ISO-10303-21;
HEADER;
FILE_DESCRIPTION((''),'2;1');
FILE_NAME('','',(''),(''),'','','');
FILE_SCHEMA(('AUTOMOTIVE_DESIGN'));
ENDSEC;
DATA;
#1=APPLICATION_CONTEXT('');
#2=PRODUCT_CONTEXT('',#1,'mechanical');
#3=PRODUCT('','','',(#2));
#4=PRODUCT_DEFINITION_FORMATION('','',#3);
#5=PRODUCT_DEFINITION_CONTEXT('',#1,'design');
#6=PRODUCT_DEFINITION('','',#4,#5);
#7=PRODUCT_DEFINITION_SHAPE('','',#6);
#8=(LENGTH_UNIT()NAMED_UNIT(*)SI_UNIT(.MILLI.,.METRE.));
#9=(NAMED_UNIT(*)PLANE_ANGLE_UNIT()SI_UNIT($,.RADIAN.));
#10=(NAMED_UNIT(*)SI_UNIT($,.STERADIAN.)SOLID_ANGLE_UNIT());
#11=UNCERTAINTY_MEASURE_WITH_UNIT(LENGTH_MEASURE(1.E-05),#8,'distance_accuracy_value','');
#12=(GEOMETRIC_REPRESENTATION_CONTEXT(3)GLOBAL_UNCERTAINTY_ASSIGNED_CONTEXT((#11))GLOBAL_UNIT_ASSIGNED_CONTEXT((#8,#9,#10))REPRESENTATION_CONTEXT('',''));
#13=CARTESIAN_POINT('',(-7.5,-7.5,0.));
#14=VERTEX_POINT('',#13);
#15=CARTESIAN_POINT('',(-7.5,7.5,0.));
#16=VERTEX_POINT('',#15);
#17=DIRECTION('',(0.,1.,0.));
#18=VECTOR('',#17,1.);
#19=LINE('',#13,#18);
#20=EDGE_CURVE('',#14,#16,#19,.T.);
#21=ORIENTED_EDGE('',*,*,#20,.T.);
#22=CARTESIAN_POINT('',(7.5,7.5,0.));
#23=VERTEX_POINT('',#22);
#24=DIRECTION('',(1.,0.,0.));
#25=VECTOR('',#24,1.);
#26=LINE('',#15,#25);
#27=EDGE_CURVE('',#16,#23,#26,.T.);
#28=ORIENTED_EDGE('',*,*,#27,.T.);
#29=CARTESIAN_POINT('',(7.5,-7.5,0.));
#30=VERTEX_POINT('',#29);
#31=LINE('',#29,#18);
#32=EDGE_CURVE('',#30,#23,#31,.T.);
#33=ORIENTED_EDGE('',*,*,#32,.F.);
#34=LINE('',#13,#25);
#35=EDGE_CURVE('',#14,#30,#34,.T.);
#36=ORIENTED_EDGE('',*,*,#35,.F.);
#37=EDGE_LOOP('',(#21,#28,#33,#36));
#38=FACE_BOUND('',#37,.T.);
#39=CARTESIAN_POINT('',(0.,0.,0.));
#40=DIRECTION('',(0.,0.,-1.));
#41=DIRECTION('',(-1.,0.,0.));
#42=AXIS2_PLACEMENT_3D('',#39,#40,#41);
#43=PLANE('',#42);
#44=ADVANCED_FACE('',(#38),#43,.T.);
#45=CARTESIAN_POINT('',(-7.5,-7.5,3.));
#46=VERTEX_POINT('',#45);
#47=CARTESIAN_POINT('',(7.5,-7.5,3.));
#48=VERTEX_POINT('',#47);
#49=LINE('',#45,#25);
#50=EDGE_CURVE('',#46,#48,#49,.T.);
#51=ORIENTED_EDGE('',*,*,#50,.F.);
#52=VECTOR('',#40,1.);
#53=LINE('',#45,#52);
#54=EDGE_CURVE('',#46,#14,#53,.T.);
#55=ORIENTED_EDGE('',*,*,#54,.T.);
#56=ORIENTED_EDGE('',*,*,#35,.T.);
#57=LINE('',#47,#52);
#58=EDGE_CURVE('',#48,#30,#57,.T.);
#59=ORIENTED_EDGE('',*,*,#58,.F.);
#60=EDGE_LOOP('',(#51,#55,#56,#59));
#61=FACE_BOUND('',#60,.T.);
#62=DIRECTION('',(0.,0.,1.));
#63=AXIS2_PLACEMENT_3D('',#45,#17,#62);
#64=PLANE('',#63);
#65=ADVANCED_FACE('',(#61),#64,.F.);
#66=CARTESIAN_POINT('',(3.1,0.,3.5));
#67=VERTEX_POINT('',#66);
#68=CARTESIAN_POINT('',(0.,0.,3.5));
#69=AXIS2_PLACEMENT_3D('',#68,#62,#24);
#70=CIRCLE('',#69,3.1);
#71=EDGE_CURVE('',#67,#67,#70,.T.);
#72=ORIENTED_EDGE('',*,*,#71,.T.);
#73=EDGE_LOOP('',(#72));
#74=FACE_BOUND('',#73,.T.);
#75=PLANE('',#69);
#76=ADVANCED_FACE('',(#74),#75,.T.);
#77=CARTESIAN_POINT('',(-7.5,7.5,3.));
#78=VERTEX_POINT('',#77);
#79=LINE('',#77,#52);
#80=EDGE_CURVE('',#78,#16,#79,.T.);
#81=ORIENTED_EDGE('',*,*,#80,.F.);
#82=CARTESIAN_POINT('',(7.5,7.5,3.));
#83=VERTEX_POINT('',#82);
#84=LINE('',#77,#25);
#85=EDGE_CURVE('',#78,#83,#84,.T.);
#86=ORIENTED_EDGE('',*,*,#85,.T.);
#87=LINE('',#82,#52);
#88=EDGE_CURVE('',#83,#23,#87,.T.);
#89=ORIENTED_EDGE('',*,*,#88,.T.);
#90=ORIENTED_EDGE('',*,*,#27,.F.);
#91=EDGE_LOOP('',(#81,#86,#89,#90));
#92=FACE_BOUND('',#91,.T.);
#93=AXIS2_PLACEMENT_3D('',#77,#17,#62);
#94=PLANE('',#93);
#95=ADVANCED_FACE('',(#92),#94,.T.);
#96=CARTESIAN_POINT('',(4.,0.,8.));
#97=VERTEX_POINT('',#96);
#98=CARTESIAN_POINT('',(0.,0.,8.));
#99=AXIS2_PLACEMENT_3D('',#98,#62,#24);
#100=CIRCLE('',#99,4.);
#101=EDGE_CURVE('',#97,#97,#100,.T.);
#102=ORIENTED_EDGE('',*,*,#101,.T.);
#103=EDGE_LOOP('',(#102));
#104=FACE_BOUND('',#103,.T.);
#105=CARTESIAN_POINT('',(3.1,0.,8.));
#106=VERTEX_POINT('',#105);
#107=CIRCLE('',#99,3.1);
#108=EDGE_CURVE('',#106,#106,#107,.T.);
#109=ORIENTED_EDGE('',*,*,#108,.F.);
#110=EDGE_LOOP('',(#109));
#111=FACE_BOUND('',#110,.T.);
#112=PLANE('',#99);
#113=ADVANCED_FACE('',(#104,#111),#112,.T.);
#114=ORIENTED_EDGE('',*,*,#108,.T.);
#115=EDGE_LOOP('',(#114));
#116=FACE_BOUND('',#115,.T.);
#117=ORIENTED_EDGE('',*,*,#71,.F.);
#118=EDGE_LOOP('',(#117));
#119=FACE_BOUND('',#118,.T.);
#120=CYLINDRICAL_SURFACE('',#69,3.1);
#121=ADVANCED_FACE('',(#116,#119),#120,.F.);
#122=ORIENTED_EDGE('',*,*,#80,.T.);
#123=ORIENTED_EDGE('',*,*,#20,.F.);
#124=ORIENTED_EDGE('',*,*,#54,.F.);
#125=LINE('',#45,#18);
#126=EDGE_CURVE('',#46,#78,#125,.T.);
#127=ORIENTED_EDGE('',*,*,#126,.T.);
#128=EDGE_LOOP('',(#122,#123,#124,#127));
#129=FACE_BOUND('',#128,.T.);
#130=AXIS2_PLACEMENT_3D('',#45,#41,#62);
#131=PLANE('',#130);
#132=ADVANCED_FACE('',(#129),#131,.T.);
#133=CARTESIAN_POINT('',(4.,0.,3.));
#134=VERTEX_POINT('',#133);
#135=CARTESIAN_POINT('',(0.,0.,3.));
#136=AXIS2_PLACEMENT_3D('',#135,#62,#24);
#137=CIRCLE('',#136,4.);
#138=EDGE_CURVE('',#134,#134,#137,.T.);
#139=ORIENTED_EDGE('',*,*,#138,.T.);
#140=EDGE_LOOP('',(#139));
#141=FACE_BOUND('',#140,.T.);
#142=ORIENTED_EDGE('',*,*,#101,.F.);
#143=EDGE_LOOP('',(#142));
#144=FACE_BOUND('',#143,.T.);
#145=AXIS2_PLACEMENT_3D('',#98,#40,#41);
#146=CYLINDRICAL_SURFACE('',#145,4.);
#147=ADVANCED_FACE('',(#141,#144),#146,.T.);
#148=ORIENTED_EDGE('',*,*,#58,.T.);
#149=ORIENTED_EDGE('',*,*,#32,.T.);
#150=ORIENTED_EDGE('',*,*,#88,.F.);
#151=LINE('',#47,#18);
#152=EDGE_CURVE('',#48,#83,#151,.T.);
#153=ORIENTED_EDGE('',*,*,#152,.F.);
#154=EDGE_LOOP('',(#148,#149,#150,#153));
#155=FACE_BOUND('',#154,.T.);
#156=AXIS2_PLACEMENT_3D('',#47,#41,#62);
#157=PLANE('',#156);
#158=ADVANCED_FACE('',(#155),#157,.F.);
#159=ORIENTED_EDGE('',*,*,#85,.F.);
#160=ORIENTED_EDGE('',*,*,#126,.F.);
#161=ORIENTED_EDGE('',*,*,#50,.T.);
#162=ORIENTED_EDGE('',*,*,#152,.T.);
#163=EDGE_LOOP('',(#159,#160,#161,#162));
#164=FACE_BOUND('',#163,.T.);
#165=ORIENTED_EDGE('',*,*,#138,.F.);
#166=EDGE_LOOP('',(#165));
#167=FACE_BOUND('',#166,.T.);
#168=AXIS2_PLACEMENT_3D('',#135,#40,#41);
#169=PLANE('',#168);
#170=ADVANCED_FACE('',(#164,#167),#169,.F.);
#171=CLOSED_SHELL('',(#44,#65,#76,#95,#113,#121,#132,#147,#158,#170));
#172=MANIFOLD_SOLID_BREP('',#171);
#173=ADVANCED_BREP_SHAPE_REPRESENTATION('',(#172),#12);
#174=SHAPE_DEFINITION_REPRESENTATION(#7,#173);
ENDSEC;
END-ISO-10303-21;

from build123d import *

# Parameters (mm, degrees)
SKETCH3_W           = 15
SKETCH3_H           = 15
BOSS_EXTRUDE1_DEPTH = 3
SKETCH4_R           = 4
BOSS_EXTRUDE2_DEPTH = 5
SKETCH5_R           = 3.1
CUT_EXTRUDE1_DEPTH  = 4.5


with BuildPart() as part:
    # Sketch3 → Boss-Extrude1 (new body)
    with BuildSketch(Plane.XY):
        Rectangle(SKETCH3_W, SKETCH3_H)
    extrude(amount=BOSS_EXTRUDE1_DEPTH)

    # Sketch4 → Boss-Extrude2 (add)
    with BuildSketch(Plane.XY.offset(3)):
        Circle(SKETCH4_R)
    extrude(amount=BOSS_EXTRUDE2_DEPTH)

    # Sketch5 → Cut-Extrude1 (cut)
    with BuildSketch(Plane.XY.offset(8)):
        Circle(SKETCH5_R)
    extrude(amount=-CUT_EXTRUDE1_DEPTH, mode=Mode.SUBTRACT)


solid = part.part
